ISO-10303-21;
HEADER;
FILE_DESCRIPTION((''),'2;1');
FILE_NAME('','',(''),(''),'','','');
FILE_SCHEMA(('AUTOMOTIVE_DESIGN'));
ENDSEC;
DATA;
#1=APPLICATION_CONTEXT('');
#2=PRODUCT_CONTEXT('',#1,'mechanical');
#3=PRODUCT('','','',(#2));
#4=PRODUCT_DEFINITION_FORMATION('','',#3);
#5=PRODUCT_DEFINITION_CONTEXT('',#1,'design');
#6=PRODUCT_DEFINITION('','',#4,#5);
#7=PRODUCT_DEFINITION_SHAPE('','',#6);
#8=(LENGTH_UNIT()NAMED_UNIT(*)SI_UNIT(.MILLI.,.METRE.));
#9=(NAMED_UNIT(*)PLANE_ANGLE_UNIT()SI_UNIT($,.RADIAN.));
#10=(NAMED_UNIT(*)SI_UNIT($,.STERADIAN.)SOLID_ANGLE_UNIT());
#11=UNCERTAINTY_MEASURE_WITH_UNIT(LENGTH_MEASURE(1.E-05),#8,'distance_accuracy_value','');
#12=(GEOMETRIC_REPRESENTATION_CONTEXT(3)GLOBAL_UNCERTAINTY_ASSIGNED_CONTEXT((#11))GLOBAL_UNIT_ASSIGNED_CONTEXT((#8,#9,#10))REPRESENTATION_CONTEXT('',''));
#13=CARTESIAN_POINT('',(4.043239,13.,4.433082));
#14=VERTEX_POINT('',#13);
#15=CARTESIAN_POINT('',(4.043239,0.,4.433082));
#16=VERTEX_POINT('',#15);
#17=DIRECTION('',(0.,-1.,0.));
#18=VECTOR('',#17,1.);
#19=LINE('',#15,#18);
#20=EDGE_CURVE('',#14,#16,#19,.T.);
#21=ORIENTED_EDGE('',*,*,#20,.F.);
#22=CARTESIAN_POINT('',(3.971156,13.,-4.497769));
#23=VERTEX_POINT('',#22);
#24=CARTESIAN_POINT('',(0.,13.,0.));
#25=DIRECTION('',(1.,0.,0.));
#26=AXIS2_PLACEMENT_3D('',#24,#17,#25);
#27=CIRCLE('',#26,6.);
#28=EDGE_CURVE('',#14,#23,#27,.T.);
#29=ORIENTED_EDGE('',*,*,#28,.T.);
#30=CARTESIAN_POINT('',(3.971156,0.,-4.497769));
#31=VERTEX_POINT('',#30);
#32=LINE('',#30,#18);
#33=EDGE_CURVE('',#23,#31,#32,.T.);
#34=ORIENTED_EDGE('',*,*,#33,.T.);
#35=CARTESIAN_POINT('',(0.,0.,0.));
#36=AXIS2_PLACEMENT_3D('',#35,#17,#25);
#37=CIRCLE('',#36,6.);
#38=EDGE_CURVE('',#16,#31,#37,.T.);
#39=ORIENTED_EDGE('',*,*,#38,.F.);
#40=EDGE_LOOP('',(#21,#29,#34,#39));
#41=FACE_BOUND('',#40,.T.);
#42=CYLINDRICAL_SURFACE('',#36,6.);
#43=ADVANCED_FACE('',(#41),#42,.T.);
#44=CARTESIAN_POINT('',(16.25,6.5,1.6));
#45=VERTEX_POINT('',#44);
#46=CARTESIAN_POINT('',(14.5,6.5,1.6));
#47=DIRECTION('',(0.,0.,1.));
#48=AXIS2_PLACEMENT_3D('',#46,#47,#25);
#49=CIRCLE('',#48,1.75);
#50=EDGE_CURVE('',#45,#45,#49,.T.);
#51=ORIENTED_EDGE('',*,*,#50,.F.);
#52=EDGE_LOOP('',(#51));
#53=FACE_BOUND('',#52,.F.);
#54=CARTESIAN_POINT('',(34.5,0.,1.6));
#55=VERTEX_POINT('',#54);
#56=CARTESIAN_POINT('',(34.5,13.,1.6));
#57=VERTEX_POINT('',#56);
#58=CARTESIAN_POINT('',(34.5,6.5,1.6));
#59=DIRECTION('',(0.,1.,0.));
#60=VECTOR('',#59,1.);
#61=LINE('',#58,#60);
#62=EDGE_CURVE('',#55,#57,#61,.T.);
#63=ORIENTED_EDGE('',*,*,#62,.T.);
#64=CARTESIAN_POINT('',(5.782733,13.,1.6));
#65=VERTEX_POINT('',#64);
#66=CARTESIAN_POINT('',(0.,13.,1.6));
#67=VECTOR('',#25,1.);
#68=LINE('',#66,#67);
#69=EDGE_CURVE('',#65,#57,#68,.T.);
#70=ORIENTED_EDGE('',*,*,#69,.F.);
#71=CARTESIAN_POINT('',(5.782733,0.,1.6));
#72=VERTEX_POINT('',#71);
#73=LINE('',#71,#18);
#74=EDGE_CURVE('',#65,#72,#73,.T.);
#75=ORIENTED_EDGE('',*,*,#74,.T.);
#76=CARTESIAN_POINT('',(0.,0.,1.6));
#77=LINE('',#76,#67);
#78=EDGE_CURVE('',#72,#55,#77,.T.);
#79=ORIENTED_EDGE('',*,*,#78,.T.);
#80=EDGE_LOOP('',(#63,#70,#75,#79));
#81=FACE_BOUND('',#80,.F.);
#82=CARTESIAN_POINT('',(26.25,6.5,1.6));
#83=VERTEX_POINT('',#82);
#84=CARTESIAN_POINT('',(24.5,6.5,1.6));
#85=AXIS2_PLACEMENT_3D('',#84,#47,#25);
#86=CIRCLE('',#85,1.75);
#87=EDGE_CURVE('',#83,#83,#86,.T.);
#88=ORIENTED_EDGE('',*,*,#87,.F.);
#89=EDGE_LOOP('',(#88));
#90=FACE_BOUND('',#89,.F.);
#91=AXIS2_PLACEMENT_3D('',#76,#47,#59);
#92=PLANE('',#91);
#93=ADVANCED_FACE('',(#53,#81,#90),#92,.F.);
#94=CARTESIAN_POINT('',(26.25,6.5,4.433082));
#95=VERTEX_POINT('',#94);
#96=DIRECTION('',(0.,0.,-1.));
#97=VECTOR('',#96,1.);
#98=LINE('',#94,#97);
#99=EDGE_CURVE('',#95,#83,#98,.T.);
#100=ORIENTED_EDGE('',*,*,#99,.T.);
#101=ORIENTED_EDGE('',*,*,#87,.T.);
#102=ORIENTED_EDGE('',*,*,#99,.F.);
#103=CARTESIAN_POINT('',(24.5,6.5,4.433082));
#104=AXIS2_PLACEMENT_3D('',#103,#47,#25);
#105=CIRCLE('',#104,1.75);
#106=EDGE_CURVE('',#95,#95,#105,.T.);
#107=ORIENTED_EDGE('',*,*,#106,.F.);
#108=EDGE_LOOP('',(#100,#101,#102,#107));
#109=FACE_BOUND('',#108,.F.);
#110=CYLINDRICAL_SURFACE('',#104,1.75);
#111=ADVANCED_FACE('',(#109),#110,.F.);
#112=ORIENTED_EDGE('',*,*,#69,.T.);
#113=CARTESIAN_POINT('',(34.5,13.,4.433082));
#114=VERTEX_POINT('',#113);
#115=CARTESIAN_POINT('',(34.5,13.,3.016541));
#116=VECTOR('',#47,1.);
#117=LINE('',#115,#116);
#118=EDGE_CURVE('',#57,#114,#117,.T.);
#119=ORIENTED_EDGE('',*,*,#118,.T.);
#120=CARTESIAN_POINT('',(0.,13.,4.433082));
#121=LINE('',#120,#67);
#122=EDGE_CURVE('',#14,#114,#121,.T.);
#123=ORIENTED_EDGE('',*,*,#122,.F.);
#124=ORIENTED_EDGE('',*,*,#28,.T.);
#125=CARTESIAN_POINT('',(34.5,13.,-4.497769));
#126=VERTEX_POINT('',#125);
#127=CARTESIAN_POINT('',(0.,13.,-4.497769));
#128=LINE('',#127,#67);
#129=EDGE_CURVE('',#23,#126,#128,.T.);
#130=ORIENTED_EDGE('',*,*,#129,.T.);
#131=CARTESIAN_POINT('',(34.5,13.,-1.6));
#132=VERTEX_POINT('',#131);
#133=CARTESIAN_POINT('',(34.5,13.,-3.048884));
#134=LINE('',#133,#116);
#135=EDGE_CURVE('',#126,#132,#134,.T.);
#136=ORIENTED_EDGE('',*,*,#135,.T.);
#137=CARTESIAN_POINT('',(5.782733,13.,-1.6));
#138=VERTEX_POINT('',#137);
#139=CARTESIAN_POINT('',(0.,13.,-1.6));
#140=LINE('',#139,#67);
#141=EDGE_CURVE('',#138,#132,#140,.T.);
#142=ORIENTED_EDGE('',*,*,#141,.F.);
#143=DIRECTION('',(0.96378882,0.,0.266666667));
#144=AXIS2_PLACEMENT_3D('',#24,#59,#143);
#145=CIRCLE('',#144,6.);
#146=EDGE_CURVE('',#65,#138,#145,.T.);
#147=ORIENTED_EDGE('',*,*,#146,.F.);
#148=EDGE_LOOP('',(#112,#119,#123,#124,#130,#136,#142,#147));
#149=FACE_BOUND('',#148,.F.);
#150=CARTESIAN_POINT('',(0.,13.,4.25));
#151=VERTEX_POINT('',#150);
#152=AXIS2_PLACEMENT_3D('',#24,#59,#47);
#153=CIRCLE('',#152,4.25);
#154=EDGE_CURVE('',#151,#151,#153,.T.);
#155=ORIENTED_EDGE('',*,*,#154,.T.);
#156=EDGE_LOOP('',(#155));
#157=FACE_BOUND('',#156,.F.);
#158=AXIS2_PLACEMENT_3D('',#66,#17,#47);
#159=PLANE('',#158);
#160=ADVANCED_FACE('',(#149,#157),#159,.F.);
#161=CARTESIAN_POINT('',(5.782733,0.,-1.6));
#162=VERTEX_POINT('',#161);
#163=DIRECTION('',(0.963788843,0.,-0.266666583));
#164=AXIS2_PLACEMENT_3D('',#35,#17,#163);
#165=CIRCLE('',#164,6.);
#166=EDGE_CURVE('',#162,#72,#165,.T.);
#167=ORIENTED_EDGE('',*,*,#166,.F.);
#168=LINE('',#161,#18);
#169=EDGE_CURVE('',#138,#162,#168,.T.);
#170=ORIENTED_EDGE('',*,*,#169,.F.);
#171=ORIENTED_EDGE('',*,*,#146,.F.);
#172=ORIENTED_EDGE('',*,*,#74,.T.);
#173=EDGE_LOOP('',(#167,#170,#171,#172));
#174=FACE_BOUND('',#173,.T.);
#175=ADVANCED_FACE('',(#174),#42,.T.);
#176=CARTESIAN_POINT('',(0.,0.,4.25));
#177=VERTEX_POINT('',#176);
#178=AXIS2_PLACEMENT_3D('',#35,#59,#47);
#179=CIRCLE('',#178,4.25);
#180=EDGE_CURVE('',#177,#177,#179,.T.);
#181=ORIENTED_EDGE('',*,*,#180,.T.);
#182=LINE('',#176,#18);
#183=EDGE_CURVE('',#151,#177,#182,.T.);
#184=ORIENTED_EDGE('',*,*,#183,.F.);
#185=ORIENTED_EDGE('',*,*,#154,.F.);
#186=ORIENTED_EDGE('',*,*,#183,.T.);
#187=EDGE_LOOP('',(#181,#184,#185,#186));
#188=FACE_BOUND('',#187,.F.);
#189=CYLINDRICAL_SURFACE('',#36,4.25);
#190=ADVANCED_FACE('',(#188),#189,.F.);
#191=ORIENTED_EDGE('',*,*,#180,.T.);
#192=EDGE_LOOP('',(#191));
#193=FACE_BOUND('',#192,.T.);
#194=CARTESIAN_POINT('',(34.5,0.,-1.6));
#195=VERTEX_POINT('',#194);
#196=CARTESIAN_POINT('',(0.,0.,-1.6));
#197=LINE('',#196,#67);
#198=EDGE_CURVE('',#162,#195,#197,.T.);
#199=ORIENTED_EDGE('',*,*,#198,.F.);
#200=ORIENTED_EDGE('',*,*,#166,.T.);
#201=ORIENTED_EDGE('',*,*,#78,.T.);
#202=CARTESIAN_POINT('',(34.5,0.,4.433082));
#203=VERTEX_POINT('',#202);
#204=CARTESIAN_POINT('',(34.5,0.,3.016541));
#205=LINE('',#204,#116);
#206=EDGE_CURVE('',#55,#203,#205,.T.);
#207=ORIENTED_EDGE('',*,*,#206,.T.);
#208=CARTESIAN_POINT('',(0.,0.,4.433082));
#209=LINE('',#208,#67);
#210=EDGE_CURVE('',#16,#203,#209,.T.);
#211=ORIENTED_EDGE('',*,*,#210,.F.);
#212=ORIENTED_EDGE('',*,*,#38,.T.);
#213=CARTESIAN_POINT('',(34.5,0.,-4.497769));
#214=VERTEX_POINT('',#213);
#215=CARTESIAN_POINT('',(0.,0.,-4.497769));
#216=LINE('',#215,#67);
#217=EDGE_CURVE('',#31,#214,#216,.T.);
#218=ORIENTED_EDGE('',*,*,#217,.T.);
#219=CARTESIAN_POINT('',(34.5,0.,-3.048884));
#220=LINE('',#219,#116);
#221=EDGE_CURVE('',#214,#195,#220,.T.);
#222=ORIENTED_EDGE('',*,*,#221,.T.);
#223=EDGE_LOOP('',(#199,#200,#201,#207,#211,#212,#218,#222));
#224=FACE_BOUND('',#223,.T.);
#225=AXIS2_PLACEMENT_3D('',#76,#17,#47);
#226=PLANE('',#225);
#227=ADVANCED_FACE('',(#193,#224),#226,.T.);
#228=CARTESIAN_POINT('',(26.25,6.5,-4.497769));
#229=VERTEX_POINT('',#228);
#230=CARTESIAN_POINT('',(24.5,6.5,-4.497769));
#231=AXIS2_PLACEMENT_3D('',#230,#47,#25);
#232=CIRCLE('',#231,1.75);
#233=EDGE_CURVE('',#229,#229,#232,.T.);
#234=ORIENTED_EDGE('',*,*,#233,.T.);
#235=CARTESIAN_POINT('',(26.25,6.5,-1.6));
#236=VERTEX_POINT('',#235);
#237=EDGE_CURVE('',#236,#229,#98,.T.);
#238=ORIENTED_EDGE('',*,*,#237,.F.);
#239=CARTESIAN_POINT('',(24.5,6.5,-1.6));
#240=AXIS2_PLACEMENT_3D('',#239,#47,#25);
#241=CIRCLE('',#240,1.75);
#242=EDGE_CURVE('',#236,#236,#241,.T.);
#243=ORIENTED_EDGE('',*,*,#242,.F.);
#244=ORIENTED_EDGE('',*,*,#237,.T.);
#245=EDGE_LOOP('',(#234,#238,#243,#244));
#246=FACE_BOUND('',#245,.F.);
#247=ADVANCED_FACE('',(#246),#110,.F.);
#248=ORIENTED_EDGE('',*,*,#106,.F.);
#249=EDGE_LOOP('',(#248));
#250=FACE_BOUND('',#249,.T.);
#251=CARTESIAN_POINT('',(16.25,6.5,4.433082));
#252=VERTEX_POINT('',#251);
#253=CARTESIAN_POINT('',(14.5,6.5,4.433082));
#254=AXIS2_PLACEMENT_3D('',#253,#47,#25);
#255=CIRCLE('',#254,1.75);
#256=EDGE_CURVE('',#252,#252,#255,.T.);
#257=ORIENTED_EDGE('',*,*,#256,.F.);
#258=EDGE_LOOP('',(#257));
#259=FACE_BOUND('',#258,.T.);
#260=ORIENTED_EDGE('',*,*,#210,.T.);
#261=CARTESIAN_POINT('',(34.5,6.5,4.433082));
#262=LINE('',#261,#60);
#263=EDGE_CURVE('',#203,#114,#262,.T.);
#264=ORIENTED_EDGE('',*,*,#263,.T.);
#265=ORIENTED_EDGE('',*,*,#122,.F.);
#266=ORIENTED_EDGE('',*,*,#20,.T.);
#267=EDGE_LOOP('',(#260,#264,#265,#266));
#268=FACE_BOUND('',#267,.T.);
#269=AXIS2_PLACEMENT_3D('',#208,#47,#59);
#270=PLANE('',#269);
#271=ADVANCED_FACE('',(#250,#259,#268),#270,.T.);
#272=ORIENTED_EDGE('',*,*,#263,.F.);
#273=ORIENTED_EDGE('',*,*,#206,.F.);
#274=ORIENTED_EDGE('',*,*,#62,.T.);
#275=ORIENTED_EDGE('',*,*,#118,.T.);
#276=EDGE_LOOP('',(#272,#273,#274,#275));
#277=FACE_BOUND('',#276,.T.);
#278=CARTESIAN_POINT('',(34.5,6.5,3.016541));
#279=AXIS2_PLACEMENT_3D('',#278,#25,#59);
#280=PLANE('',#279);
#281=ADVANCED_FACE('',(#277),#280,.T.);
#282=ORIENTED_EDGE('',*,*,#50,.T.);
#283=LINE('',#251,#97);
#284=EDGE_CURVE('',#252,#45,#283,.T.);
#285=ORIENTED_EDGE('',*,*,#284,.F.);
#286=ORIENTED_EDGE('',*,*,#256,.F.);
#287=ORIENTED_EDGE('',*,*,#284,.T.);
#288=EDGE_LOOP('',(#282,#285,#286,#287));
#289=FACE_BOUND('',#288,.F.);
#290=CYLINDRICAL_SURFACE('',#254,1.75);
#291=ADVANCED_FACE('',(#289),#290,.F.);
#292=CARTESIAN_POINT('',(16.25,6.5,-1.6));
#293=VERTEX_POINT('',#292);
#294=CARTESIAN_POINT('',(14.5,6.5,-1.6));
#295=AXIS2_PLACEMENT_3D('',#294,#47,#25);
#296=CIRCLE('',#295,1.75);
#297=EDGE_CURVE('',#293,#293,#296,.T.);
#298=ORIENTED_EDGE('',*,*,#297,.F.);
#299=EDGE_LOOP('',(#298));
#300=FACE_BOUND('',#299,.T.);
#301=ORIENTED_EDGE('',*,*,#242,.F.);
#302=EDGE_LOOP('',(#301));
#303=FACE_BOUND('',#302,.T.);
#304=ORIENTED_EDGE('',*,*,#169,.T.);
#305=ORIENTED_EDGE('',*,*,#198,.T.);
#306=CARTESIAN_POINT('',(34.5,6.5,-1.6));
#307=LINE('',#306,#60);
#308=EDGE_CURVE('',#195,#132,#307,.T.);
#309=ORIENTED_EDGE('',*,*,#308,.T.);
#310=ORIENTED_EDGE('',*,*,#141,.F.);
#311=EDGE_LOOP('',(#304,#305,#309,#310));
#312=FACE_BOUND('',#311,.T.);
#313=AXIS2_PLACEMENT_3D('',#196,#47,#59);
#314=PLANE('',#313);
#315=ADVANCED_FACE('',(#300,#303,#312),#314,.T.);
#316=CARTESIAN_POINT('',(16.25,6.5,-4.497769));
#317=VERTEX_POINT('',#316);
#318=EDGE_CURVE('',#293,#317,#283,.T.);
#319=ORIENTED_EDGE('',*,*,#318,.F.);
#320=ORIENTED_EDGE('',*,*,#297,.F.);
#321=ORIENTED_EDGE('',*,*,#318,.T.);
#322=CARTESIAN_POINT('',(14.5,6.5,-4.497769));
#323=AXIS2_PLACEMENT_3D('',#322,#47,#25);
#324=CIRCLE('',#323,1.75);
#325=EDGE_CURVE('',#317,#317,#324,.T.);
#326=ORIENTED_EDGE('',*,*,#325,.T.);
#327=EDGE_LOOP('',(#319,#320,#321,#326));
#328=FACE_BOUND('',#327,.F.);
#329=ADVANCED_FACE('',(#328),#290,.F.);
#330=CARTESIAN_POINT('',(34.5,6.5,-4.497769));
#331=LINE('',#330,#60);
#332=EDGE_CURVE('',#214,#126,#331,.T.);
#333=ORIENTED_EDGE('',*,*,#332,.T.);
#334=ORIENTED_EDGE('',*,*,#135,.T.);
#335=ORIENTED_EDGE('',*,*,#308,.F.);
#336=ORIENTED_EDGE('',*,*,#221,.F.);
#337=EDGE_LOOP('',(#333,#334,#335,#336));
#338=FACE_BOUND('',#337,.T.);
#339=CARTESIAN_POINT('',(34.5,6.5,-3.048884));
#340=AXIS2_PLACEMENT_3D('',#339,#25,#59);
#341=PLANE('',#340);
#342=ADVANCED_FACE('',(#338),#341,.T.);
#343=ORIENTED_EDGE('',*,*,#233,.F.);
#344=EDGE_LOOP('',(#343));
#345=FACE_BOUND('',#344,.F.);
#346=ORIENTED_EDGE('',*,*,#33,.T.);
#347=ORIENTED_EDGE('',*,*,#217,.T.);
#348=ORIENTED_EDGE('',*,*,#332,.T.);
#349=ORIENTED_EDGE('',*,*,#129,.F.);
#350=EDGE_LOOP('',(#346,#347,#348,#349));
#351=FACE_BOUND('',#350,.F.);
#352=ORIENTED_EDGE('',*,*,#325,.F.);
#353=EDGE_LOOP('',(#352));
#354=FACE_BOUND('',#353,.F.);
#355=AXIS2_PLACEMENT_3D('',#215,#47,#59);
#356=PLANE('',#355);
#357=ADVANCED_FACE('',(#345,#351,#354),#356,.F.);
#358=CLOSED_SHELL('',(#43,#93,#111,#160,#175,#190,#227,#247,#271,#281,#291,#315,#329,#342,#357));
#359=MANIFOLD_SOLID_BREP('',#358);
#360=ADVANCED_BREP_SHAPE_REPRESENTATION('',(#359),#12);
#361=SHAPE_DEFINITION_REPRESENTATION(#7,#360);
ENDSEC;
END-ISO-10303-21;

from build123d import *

# Parameters (mm, degrees)
F0_R     = 6
F0_R_2   = 4.25
F1_DEPTH = 13
F2_W     = 13
F2_H     = 2.833082
F2_H_2   = 2.897769
F3_DEPTH = 34.5
F4_R     = 4.25
F5_DEPTH = 13.001
F6_R     = 1.75
F7_DEPTH = 8.930851


with BuildPart() as f1:
    # F0 (on Front) → F1 (new body)
    with BuildSketch(Plane.XZ):
        Circle(F0_R)
        Circle(F0_R_2, mode=Mode.SUBTRACT)
    extrude(amount=-F1_DEPTH)

    # F2 (on Right) → F3 (join)
    with BuildSketch(Plane.YZ):
        with Locations((6.5, 3.016541)):
            Rectangle(F2_W, F2_H)
        with Locations((6.5, -3.048884)):
            Rectangle(F2_W, F2_H_2)
    extrude(amount=F3_DEPTH)

    # F4 (on face) → F5 (cut, through all)
    with BuildSketch(Plane(origin=(0, 13, 0), x_dir=(-1, 0, 0), z_dir=(0, 1, 0))):
        Circle(F4_R)
    extrude(amount=-F5_DEPTH, mode=Mode.SUBTRACT)

    # F6 (on face) → F7 (cut, through all)
    with BuildSketch(Plane.XY.offset(4.433082)):
        with Locations((14.5, 6.5)):
            Circle(F6_R)
        with Locations((24.5, 6.5)):
            Circle(F6_R)
    extrude(amount=-F7_DEPTH, mode=Mode.SUBTRACT)


solid = f1.part
